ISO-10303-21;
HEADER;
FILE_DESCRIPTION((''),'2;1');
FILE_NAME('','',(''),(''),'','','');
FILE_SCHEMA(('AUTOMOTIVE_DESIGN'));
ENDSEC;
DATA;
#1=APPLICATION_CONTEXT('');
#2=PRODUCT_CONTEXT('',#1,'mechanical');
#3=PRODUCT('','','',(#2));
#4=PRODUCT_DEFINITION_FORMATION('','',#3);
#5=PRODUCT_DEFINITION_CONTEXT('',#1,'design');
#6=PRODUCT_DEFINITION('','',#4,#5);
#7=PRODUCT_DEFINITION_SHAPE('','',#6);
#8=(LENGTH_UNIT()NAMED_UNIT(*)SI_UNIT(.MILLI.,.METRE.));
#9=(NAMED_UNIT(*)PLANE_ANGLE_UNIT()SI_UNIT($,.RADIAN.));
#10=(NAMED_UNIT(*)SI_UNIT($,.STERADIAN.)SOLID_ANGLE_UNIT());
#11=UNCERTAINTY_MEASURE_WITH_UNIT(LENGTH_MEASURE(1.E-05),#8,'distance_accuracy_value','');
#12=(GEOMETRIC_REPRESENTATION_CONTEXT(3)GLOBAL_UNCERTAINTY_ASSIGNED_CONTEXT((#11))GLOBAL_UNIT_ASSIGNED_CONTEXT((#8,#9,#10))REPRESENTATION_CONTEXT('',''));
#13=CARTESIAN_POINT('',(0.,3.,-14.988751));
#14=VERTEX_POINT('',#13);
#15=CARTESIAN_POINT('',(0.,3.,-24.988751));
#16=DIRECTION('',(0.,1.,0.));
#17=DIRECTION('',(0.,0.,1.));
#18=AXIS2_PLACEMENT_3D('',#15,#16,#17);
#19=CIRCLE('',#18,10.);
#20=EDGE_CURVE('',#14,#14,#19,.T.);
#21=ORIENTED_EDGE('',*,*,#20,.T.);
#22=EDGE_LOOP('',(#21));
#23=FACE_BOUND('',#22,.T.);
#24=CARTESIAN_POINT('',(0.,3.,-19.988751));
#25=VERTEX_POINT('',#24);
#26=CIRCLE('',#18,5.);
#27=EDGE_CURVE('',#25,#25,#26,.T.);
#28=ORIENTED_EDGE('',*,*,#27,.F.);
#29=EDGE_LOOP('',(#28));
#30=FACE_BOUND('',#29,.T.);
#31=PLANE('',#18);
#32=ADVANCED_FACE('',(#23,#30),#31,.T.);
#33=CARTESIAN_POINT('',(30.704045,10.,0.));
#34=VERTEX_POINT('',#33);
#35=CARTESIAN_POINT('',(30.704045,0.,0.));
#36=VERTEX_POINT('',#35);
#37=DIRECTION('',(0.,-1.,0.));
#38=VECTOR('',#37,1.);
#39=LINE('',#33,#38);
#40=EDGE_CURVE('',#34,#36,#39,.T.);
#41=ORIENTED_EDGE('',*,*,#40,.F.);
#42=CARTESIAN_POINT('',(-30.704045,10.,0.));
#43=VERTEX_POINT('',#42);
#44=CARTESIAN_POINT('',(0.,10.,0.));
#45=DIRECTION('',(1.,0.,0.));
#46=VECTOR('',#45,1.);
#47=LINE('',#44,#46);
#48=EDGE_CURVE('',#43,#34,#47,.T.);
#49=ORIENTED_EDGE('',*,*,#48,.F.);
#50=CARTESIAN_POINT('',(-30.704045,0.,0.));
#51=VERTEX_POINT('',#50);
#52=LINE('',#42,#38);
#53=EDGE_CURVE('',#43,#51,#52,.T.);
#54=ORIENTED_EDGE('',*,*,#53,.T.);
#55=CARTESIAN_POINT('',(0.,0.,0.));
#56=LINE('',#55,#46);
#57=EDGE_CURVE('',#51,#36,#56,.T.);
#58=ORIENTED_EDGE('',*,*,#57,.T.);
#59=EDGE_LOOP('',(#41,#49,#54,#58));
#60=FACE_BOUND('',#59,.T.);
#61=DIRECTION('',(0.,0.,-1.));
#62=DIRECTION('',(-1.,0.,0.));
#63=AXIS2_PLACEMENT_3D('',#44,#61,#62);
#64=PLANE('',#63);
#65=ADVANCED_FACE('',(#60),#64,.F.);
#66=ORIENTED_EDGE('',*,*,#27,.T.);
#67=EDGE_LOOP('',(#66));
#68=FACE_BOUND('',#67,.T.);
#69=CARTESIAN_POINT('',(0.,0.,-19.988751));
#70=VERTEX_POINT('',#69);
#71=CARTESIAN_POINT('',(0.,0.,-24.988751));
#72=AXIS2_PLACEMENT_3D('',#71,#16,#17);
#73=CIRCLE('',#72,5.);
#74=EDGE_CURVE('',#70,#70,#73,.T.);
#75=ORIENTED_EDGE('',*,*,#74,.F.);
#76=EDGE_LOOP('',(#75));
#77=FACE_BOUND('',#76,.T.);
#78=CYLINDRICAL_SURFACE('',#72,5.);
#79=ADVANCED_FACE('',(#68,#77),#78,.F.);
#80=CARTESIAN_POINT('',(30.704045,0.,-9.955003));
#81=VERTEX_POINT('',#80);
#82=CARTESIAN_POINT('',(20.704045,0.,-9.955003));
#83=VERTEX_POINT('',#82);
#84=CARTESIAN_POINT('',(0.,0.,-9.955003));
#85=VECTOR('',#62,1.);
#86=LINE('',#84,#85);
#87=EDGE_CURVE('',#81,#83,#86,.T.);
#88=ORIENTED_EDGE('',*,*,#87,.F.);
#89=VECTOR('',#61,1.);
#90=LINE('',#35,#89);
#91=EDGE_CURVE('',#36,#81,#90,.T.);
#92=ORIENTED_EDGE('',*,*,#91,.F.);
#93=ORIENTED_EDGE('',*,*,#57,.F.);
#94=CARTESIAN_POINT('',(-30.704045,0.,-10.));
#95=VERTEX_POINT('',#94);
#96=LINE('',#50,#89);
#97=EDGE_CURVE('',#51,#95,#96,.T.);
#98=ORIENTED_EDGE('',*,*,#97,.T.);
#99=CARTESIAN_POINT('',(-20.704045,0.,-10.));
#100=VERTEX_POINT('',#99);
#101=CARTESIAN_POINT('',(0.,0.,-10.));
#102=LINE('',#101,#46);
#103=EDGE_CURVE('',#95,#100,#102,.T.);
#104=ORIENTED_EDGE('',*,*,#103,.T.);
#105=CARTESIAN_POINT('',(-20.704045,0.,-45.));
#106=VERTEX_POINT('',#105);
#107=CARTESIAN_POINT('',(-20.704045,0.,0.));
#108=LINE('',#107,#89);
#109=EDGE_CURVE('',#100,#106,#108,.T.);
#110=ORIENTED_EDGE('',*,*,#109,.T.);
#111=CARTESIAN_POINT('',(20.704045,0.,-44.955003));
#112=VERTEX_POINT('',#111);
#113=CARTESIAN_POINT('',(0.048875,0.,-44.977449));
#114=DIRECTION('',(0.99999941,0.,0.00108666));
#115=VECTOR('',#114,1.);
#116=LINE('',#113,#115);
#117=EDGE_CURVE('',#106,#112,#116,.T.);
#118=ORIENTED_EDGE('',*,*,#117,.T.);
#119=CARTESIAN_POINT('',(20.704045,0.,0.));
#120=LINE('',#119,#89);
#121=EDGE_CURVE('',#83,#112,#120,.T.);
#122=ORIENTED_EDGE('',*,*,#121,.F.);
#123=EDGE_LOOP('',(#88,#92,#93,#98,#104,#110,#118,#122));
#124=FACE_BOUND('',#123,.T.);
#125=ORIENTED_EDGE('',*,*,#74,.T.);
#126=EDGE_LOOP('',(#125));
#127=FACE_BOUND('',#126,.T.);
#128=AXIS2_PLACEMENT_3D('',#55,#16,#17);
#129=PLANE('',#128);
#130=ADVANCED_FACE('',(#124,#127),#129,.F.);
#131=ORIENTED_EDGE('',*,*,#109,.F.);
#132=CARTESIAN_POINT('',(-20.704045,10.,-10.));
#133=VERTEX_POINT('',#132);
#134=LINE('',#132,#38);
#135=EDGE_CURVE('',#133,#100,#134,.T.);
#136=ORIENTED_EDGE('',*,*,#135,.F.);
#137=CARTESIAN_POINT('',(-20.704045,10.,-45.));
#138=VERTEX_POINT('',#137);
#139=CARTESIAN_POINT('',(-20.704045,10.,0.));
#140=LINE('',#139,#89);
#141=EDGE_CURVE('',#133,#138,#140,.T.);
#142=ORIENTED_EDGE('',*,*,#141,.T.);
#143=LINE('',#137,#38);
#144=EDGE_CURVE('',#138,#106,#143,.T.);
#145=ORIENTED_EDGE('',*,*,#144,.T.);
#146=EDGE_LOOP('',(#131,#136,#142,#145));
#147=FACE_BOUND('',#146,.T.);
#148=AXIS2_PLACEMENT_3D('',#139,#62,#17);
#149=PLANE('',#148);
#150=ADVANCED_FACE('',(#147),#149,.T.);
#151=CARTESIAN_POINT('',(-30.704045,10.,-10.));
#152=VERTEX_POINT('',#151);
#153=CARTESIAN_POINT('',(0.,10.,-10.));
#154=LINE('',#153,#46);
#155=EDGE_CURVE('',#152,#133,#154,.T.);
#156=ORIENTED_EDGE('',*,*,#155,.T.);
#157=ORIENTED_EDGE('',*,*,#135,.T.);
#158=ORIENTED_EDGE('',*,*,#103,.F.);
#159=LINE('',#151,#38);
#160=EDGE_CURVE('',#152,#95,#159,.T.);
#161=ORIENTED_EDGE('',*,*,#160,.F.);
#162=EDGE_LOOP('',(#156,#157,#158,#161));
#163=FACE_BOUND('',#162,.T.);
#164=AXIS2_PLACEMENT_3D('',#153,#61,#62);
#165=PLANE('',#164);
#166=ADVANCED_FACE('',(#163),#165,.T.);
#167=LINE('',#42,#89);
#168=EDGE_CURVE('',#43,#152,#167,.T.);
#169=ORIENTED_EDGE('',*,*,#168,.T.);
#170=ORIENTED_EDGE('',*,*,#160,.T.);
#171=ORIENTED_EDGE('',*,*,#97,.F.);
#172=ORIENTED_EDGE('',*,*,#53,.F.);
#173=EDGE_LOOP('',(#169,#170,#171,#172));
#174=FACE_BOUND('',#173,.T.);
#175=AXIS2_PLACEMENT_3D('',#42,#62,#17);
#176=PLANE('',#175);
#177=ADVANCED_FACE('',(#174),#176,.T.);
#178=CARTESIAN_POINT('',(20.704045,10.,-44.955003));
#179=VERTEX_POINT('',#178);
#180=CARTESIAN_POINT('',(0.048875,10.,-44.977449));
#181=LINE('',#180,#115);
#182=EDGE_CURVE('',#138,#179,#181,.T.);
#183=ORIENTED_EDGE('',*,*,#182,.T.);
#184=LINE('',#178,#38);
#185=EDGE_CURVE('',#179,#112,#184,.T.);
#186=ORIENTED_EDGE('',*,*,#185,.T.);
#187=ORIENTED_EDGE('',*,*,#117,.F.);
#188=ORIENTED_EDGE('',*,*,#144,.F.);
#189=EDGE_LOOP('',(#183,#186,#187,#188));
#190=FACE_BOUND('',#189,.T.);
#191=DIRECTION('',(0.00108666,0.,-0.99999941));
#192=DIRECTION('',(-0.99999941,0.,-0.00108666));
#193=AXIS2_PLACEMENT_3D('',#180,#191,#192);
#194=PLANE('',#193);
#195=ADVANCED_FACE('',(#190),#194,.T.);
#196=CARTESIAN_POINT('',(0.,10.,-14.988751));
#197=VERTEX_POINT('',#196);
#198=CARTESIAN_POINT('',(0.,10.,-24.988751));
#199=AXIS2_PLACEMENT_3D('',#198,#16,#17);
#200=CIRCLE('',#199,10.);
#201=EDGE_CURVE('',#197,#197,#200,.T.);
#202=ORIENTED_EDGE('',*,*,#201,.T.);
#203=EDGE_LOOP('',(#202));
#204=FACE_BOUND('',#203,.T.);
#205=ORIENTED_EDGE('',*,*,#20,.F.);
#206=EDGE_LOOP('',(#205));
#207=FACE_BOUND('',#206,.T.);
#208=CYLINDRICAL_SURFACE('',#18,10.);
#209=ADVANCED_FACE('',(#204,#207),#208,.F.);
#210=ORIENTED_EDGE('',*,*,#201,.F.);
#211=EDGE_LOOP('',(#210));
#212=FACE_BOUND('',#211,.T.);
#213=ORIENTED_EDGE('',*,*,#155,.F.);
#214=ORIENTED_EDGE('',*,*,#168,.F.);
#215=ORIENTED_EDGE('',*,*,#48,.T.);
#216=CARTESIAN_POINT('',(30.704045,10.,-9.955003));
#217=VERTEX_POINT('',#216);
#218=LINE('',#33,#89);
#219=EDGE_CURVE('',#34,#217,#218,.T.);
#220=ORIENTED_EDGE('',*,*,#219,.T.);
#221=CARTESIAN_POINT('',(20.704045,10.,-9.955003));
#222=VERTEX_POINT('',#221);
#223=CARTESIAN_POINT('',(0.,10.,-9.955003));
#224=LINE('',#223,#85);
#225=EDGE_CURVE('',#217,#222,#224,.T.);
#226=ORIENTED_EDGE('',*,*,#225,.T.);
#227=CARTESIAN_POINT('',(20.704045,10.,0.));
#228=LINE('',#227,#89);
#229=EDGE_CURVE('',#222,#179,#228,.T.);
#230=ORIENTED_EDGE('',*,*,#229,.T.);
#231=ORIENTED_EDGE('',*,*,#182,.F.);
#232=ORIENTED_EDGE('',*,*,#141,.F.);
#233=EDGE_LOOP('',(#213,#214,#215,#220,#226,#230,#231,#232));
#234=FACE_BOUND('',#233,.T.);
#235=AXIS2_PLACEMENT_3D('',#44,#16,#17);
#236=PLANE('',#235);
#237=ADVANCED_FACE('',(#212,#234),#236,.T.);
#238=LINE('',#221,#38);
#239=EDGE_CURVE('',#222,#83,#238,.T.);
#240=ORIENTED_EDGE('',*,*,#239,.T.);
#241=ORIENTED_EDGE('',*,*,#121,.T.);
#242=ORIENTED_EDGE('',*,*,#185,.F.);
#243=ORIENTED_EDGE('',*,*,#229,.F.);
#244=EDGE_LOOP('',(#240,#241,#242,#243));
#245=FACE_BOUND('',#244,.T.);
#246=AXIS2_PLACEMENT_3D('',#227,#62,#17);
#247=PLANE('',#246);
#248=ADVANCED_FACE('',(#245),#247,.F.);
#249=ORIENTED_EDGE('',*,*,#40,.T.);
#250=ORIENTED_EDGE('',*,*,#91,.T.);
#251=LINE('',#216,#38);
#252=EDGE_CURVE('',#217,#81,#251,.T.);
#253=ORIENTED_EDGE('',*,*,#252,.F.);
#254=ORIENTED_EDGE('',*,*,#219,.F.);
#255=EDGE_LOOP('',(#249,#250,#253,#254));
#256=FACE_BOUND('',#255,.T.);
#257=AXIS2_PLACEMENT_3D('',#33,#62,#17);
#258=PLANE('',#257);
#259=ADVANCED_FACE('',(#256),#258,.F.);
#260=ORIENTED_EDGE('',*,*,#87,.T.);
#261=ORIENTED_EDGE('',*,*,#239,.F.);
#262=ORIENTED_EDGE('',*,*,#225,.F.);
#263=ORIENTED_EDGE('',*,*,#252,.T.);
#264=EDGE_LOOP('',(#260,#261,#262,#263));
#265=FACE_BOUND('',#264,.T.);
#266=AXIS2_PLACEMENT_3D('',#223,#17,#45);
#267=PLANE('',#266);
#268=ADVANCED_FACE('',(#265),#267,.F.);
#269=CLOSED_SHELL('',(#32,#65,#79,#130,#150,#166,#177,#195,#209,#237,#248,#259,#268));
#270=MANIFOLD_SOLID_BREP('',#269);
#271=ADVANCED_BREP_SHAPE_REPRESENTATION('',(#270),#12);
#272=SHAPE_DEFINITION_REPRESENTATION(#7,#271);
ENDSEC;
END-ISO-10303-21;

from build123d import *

# Parameters (mm, degrees)
BOSS_EXTRUDE1_DEPTH = 10
SKETCH2_R           = 10
CUT_EXTRUDE2_DEPTH  = 7
SKETCH5_R           = 5
CUT_EXTRUDE3_DEPTH  = 55.924843053


with BuildPart() as part:
    # Sketch1 → Boss-Extrude1 (new body)
    with BuildSketch(Plane(origin=(0, 0, 0), x_dir=(1, 0, 0), z_dir=(0, 1, 0))):
        Polygon((-20.704045081, 45), (20.704045081, 44.955003455), (20.704045081, 9.955003455), (30.704045081, 9.955003455), (30.704045081, 0), (-30.704045081, 0), (-30.704045081, 10), (-20.704045081, 10), align=None)
    extrude(amount=BOSS_EXTRUDE1_DEPTH)

    # Sketch2 → Cut-Extrude2 (cut)
    with BuildSketch(Plane(origin=(0, 10, 0), x_dir=(1, 0, 0), z_dir=(0, 1, 0))):
        with Locations(Location((0, 24.98875086, 0), (0, 0, 270))):
            Circle(SKETCH2_R)
    extrude(amount=-CUT_EXTRUDE2_DEPTH, mode=Mode.SUBTRACT)

    # Sketch5 → Cut-Extrude3 (cut, through all)
    with BuildSketch(Plane(origin=(0, 3, 0), x_dir=(1, 0, 0), z_dir=(0, 1, 0))):
        with Locations(Location((0, 24.98875086, 0), (0, 0, 270))):
            Circle(SKETCH5_R)
    extrude(amount=-CUT_EXTRUDE3_DEPTH, mode=Mode.SUBTRACT)


solid = part.part
